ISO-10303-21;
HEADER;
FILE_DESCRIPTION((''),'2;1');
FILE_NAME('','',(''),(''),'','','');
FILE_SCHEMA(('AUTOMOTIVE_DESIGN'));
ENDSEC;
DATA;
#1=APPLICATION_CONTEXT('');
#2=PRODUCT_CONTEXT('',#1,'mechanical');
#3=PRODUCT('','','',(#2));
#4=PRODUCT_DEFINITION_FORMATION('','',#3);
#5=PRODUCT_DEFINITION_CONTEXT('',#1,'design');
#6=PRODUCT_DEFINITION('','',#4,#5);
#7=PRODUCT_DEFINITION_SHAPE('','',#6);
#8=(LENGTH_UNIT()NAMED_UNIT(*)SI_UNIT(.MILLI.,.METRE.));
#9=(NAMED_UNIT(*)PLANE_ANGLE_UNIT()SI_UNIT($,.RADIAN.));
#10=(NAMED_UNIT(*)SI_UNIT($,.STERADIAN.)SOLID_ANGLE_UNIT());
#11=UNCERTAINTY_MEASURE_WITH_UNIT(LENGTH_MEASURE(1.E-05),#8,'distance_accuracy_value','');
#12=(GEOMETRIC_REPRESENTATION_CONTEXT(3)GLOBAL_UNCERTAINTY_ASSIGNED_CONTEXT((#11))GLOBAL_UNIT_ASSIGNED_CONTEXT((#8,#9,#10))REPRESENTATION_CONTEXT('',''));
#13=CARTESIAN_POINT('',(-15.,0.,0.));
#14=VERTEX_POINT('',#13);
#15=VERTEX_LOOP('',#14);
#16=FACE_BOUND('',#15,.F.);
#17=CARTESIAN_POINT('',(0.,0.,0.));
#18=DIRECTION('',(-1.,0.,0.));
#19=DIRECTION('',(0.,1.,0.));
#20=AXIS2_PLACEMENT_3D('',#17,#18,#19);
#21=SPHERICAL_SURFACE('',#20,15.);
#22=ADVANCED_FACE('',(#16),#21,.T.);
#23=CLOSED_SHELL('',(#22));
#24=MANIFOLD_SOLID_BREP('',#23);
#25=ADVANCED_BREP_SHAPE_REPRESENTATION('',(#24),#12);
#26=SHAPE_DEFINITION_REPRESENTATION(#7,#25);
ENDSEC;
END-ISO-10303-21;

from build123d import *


with BuildPart() as part:
    # Sketch1 → Revolve3 (revolve)
    with BuildSketch(Plane.XY):
        with BuildLine():
            Line((-15, 0), (15, 0))
            ThreePointArc((15, 0), (0, 15), (-15, 0))
        make_face()
    revolve(axis=Axis((-30.51746377, 0, 0), (1, 0, 0)))


solid = part.part
